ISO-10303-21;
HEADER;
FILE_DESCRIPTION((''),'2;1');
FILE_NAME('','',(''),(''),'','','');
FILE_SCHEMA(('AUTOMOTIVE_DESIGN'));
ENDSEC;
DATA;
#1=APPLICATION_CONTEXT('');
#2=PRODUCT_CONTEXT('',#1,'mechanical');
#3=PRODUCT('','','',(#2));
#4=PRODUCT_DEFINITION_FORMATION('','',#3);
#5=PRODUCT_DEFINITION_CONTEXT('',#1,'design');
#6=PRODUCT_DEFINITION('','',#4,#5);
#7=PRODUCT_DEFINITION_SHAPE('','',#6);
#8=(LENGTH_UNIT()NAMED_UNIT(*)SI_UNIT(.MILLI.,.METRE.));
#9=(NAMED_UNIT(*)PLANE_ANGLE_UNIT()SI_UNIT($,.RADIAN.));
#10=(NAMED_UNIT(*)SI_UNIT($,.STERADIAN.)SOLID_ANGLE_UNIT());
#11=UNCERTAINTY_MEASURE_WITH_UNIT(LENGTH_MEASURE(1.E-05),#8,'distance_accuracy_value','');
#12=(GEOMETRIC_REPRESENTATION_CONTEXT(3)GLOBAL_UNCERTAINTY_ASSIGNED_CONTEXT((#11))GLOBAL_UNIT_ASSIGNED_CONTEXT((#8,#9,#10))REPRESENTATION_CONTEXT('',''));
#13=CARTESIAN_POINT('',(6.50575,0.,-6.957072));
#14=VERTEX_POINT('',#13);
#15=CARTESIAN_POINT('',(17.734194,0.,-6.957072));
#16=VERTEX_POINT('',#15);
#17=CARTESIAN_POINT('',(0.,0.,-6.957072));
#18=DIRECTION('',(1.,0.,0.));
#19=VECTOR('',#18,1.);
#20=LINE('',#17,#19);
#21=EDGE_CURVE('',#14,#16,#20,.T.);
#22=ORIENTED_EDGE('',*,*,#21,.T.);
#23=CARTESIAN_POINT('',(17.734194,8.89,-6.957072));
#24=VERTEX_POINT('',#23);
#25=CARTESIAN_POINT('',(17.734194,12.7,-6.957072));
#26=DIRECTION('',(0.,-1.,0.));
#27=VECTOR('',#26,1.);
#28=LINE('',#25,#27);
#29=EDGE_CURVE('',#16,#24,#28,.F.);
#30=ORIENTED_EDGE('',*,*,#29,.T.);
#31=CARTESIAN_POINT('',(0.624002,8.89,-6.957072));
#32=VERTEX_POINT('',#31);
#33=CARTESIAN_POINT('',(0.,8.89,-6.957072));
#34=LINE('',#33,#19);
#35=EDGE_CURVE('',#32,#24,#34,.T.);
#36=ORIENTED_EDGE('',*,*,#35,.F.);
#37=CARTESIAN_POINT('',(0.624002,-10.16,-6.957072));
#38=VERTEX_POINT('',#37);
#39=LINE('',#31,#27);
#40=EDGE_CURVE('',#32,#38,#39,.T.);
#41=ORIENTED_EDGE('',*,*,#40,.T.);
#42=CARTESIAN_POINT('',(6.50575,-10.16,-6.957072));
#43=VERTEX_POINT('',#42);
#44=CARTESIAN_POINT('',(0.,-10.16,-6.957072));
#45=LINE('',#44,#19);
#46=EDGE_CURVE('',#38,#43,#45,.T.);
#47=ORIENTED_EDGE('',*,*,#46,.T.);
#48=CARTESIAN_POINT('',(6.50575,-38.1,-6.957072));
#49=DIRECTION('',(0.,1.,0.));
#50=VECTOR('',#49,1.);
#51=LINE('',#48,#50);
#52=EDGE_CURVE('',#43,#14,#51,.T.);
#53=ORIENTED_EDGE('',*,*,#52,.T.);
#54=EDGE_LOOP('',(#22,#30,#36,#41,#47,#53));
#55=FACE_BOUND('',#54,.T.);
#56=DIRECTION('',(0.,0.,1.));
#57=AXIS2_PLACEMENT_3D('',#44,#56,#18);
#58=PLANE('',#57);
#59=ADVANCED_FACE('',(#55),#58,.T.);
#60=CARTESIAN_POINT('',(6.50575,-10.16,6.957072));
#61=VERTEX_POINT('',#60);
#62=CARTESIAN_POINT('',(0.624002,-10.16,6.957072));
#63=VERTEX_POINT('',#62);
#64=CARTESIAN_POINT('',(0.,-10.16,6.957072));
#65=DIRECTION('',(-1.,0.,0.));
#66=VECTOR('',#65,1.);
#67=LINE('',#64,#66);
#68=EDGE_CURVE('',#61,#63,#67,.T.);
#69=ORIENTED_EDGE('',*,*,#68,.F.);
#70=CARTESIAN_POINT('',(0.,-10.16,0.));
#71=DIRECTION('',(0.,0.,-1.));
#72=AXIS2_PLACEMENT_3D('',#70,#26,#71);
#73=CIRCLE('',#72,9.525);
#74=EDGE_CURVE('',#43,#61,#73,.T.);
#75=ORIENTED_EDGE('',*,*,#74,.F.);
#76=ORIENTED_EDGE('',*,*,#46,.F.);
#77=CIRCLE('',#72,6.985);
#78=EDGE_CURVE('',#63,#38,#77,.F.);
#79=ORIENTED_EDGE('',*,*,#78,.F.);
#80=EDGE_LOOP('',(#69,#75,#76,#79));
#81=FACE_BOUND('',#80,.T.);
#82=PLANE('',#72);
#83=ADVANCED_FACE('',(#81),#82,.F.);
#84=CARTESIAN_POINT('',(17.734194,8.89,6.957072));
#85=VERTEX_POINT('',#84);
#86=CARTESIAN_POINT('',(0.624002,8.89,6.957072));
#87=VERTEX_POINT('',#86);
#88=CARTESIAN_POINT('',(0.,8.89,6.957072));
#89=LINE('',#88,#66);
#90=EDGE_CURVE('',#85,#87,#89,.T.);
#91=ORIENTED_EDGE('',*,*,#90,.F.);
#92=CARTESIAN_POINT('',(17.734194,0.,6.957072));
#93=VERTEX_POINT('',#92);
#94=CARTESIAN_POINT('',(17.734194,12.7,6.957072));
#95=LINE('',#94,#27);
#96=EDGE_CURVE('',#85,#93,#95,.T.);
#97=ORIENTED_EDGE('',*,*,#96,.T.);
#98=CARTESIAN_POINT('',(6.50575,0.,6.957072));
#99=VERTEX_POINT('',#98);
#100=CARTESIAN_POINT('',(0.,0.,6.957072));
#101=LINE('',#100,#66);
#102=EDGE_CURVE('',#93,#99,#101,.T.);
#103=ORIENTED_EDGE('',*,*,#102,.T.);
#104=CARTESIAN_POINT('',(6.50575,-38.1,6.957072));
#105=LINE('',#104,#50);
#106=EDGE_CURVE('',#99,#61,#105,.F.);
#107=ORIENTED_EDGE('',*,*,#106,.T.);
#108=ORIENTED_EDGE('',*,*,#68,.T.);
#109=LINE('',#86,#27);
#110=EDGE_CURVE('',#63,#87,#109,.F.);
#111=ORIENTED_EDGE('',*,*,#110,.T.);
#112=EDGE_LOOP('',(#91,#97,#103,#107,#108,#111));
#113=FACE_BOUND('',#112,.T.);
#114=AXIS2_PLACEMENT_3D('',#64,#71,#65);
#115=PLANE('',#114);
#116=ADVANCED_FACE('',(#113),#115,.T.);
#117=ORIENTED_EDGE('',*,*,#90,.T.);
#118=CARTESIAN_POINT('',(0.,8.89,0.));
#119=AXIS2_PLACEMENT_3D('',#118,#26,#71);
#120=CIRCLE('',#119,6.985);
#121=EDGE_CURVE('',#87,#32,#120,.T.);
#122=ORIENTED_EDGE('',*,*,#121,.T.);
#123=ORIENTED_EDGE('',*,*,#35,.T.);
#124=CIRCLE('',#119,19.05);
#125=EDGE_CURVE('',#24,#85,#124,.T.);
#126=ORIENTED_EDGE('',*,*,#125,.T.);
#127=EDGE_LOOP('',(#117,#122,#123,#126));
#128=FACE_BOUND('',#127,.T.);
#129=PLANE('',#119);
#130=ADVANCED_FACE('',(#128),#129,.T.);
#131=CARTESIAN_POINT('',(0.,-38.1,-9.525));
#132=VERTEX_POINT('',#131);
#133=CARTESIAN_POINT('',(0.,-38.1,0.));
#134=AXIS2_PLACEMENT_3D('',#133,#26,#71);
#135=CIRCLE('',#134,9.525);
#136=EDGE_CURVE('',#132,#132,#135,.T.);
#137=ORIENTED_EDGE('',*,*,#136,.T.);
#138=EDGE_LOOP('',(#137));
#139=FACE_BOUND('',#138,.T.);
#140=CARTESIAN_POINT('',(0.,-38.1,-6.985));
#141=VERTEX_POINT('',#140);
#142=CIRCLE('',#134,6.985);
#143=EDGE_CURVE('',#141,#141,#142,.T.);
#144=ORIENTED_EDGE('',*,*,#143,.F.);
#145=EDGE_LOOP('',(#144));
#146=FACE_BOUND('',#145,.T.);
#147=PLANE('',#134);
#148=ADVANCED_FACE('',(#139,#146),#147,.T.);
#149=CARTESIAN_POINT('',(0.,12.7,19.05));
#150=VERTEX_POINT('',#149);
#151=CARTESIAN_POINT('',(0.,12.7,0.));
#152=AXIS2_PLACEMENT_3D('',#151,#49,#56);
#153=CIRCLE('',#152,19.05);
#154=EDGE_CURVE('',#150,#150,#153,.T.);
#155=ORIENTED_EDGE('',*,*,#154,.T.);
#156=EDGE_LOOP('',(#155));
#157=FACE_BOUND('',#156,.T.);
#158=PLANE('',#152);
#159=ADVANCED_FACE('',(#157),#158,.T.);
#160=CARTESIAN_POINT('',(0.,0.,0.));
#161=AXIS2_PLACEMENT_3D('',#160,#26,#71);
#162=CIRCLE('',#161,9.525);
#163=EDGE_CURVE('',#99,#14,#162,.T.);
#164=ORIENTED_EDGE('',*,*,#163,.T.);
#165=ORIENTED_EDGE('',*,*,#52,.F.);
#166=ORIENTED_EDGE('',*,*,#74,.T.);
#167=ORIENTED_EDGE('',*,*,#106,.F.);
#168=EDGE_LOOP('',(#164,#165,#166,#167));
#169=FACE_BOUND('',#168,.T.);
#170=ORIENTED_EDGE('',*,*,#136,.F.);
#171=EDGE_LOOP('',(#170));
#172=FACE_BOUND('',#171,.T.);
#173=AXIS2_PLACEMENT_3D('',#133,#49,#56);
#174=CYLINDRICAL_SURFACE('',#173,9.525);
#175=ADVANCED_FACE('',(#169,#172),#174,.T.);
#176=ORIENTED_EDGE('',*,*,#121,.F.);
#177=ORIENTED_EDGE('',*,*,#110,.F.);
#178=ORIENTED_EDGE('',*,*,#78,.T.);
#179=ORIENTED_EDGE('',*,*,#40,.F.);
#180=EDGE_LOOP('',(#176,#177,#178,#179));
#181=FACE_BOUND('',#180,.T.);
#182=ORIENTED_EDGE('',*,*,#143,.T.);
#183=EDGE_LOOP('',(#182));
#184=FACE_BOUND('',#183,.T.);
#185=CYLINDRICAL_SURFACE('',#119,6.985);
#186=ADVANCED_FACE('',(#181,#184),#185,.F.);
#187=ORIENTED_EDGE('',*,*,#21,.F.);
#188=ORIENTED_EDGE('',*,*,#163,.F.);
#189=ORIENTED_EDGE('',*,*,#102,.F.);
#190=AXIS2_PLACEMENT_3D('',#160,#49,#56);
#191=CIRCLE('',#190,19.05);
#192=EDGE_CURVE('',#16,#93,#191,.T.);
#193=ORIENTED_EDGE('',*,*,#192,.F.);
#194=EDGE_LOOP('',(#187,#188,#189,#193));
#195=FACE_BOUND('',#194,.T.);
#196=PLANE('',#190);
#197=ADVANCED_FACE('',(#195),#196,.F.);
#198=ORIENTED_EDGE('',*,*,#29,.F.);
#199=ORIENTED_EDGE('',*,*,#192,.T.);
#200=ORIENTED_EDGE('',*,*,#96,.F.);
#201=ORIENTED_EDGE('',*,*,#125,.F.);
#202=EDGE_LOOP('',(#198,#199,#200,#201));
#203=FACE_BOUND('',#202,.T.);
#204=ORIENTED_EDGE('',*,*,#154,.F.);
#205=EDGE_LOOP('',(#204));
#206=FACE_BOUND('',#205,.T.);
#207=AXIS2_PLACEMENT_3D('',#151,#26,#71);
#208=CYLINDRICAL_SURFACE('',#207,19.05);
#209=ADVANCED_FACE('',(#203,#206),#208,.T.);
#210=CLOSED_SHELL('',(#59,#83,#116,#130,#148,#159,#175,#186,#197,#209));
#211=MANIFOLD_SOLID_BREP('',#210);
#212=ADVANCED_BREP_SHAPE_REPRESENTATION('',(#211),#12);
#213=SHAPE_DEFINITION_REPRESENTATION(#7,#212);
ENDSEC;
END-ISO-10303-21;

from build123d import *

# Parameters (mm, degrees)
SKETCH1_R           = 19.05
BOSS_EXTRUDE1_DEPTH = 12.7
SKETCH2_R           = 9.525
BOSS_EXTRUDE2_DEPTH = 38.1
SKETCH3_R           = 6.985
CUT_EXTRUDE1_DEPTH  = 46.99
CUT_EXTRUDE2_DEPTH  = 19.05


with BuildPart() as part:
    # Sketch1 → Boss-Extrude1 (new body)
    with BuildSketch(Plane(origin=(0, 0, 0), x_dir=(1, 0, 0), z_dir=(0, 1, 0))):
        Circle(SKETCH1_R)
    extrude(amount=BOSS_EXTRUDE1_DEPTH)

    # Sketch2 → Boss-Extrude2 (add)
    with BuildSketch(Plane.XZ):
        Circle(SKETCH2_R)
    extrude(amount=BOSS_EXTRUDE2_DEPTH)

    # Sketch3 → Cut-Extrude1 (cut)
    with BuildSketch(Plane.XZ.offset(38.1)):
        Circle(SKETCH3_R)
    extrude(amount=-CUT_EXTRUDE1_DEPTH, mode=Mode.SUBTRACT)

    # Sketch5 → Cut-Extrude2 (cut)
    with BuildSketch(Plane.XZ.offset(-8.89)):
        with BuildLine():
            Line((0, 6.957071705), (19.05, 6.957071705))
            ThreePointArc((19.05, 6.957071705), (26.007071705, 0), (19.05, -6.957071705))
            Line((19.05, -6.957071705), (0, -6.957071705))
            ThreePointArc((0, -6.957071705), (-6.957071705, 0), (0, 6.957071705))
        make_face()
    extrude(amount=CUT_EXTRUDE2_DEPTH, mode=Mode.SUBTRACT)


solid = part.part
